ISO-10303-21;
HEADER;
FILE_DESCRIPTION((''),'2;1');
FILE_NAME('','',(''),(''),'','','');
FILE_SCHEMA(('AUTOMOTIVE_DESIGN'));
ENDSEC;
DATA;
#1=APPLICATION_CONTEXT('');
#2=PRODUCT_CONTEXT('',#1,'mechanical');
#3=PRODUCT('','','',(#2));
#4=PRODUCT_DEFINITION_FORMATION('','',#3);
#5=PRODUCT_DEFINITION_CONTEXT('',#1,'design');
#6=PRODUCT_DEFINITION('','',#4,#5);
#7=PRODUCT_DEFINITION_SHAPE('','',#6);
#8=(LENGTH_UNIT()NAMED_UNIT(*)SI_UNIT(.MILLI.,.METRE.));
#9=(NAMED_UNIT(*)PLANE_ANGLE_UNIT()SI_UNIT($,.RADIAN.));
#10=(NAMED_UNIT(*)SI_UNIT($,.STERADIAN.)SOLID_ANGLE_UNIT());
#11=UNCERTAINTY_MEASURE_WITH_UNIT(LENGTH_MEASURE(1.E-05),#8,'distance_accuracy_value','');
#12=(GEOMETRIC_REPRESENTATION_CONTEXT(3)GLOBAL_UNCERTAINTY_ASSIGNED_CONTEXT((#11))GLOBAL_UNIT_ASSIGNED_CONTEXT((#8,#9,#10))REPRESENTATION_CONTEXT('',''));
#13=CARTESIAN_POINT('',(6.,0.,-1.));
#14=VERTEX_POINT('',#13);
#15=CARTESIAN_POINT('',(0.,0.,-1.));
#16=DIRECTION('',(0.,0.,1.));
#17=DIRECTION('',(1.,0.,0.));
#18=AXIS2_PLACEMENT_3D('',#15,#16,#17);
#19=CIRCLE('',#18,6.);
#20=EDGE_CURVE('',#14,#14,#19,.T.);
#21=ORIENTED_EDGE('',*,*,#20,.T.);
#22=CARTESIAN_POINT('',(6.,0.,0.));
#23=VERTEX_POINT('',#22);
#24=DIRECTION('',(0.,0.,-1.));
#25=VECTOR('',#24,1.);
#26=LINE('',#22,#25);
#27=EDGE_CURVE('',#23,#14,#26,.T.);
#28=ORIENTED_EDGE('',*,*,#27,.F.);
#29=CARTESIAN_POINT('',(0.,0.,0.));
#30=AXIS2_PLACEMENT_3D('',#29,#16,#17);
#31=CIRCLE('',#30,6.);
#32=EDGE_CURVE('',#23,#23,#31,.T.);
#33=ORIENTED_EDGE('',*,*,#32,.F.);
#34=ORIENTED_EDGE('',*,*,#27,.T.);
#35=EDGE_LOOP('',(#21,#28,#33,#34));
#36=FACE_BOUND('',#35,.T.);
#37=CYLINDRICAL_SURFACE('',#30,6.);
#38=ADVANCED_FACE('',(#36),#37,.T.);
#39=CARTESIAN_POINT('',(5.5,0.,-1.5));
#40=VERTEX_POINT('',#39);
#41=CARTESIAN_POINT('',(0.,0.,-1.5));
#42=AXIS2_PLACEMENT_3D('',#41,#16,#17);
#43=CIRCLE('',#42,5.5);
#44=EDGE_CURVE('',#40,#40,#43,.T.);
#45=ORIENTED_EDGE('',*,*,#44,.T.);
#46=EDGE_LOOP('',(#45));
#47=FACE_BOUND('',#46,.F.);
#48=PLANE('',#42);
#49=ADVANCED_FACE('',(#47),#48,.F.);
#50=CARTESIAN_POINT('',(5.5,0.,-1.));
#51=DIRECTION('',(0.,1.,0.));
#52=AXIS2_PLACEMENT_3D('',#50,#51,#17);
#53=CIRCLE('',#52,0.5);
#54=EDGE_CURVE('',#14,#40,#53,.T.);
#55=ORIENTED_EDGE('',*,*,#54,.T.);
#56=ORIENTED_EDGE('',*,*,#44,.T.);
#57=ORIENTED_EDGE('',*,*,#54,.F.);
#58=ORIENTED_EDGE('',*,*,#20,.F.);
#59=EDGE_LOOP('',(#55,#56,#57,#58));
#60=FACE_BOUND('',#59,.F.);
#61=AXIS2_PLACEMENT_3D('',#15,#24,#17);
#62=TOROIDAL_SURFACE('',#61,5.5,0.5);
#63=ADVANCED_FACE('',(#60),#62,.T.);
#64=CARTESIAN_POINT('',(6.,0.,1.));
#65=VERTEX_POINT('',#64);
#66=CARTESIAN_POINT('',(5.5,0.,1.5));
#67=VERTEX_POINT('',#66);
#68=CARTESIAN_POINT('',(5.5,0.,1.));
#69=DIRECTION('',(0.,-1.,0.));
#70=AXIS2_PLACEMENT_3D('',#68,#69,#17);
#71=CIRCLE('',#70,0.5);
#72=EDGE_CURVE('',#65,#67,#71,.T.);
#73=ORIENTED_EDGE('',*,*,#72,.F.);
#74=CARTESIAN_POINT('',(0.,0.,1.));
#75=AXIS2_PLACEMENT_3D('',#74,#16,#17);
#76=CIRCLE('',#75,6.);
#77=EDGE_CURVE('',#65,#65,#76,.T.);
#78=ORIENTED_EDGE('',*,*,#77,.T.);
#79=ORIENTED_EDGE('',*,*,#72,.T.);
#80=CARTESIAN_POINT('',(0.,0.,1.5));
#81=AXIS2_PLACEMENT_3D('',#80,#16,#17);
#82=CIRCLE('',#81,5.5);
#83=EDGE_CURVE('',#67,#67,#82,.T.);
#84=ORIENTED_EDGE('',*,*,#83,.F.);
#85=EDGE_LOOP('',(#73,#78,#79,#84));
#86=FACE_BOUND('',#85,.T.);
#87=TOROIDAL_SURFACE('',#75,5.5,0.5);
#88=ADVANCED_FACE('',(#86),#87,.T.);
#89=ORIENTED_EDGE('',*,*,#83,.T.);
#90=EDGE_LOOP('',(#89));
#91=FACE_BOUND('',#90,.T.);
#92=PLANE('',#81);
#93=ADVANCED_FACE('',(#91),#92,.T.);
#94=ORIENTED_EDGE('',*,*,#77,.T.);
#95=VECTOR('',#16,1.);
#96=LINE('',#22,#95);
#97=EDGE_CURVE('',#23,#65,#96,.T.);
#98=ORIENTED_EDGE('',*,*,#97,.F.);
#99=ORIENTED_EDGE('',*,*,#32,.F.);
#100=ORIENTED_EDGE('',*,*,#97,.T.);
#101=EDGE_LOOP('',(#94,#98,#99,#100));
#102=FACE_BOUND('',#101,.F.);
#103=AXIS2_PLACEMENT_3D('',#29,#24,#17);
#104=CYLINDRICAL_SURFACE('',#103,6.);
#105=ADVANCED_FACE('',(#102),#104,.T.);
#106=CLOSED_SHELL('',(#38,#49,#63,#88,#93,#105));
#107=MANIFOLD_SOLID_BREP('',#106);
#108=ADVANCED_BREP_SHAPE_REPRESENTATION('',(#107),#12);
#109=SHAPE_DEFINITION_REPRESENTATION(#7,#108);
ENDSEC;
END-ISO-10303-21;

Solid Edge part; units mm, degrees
sketch "Sketch1" plane through (0, 0, 0) normal (0, 0, 1) x (1, 0, 0)
  circle A0 centre (0, 0) radius 6
  dimension "D1" = 12
extrude "Ajout_matière_1" add sketch "Sketch1" along normal mid plane 3
fillet "Congé_1" radius 0.5 2 edges at (-6, 0, 1.5) (-6, 0, -1.5)
properties material "Fer"
